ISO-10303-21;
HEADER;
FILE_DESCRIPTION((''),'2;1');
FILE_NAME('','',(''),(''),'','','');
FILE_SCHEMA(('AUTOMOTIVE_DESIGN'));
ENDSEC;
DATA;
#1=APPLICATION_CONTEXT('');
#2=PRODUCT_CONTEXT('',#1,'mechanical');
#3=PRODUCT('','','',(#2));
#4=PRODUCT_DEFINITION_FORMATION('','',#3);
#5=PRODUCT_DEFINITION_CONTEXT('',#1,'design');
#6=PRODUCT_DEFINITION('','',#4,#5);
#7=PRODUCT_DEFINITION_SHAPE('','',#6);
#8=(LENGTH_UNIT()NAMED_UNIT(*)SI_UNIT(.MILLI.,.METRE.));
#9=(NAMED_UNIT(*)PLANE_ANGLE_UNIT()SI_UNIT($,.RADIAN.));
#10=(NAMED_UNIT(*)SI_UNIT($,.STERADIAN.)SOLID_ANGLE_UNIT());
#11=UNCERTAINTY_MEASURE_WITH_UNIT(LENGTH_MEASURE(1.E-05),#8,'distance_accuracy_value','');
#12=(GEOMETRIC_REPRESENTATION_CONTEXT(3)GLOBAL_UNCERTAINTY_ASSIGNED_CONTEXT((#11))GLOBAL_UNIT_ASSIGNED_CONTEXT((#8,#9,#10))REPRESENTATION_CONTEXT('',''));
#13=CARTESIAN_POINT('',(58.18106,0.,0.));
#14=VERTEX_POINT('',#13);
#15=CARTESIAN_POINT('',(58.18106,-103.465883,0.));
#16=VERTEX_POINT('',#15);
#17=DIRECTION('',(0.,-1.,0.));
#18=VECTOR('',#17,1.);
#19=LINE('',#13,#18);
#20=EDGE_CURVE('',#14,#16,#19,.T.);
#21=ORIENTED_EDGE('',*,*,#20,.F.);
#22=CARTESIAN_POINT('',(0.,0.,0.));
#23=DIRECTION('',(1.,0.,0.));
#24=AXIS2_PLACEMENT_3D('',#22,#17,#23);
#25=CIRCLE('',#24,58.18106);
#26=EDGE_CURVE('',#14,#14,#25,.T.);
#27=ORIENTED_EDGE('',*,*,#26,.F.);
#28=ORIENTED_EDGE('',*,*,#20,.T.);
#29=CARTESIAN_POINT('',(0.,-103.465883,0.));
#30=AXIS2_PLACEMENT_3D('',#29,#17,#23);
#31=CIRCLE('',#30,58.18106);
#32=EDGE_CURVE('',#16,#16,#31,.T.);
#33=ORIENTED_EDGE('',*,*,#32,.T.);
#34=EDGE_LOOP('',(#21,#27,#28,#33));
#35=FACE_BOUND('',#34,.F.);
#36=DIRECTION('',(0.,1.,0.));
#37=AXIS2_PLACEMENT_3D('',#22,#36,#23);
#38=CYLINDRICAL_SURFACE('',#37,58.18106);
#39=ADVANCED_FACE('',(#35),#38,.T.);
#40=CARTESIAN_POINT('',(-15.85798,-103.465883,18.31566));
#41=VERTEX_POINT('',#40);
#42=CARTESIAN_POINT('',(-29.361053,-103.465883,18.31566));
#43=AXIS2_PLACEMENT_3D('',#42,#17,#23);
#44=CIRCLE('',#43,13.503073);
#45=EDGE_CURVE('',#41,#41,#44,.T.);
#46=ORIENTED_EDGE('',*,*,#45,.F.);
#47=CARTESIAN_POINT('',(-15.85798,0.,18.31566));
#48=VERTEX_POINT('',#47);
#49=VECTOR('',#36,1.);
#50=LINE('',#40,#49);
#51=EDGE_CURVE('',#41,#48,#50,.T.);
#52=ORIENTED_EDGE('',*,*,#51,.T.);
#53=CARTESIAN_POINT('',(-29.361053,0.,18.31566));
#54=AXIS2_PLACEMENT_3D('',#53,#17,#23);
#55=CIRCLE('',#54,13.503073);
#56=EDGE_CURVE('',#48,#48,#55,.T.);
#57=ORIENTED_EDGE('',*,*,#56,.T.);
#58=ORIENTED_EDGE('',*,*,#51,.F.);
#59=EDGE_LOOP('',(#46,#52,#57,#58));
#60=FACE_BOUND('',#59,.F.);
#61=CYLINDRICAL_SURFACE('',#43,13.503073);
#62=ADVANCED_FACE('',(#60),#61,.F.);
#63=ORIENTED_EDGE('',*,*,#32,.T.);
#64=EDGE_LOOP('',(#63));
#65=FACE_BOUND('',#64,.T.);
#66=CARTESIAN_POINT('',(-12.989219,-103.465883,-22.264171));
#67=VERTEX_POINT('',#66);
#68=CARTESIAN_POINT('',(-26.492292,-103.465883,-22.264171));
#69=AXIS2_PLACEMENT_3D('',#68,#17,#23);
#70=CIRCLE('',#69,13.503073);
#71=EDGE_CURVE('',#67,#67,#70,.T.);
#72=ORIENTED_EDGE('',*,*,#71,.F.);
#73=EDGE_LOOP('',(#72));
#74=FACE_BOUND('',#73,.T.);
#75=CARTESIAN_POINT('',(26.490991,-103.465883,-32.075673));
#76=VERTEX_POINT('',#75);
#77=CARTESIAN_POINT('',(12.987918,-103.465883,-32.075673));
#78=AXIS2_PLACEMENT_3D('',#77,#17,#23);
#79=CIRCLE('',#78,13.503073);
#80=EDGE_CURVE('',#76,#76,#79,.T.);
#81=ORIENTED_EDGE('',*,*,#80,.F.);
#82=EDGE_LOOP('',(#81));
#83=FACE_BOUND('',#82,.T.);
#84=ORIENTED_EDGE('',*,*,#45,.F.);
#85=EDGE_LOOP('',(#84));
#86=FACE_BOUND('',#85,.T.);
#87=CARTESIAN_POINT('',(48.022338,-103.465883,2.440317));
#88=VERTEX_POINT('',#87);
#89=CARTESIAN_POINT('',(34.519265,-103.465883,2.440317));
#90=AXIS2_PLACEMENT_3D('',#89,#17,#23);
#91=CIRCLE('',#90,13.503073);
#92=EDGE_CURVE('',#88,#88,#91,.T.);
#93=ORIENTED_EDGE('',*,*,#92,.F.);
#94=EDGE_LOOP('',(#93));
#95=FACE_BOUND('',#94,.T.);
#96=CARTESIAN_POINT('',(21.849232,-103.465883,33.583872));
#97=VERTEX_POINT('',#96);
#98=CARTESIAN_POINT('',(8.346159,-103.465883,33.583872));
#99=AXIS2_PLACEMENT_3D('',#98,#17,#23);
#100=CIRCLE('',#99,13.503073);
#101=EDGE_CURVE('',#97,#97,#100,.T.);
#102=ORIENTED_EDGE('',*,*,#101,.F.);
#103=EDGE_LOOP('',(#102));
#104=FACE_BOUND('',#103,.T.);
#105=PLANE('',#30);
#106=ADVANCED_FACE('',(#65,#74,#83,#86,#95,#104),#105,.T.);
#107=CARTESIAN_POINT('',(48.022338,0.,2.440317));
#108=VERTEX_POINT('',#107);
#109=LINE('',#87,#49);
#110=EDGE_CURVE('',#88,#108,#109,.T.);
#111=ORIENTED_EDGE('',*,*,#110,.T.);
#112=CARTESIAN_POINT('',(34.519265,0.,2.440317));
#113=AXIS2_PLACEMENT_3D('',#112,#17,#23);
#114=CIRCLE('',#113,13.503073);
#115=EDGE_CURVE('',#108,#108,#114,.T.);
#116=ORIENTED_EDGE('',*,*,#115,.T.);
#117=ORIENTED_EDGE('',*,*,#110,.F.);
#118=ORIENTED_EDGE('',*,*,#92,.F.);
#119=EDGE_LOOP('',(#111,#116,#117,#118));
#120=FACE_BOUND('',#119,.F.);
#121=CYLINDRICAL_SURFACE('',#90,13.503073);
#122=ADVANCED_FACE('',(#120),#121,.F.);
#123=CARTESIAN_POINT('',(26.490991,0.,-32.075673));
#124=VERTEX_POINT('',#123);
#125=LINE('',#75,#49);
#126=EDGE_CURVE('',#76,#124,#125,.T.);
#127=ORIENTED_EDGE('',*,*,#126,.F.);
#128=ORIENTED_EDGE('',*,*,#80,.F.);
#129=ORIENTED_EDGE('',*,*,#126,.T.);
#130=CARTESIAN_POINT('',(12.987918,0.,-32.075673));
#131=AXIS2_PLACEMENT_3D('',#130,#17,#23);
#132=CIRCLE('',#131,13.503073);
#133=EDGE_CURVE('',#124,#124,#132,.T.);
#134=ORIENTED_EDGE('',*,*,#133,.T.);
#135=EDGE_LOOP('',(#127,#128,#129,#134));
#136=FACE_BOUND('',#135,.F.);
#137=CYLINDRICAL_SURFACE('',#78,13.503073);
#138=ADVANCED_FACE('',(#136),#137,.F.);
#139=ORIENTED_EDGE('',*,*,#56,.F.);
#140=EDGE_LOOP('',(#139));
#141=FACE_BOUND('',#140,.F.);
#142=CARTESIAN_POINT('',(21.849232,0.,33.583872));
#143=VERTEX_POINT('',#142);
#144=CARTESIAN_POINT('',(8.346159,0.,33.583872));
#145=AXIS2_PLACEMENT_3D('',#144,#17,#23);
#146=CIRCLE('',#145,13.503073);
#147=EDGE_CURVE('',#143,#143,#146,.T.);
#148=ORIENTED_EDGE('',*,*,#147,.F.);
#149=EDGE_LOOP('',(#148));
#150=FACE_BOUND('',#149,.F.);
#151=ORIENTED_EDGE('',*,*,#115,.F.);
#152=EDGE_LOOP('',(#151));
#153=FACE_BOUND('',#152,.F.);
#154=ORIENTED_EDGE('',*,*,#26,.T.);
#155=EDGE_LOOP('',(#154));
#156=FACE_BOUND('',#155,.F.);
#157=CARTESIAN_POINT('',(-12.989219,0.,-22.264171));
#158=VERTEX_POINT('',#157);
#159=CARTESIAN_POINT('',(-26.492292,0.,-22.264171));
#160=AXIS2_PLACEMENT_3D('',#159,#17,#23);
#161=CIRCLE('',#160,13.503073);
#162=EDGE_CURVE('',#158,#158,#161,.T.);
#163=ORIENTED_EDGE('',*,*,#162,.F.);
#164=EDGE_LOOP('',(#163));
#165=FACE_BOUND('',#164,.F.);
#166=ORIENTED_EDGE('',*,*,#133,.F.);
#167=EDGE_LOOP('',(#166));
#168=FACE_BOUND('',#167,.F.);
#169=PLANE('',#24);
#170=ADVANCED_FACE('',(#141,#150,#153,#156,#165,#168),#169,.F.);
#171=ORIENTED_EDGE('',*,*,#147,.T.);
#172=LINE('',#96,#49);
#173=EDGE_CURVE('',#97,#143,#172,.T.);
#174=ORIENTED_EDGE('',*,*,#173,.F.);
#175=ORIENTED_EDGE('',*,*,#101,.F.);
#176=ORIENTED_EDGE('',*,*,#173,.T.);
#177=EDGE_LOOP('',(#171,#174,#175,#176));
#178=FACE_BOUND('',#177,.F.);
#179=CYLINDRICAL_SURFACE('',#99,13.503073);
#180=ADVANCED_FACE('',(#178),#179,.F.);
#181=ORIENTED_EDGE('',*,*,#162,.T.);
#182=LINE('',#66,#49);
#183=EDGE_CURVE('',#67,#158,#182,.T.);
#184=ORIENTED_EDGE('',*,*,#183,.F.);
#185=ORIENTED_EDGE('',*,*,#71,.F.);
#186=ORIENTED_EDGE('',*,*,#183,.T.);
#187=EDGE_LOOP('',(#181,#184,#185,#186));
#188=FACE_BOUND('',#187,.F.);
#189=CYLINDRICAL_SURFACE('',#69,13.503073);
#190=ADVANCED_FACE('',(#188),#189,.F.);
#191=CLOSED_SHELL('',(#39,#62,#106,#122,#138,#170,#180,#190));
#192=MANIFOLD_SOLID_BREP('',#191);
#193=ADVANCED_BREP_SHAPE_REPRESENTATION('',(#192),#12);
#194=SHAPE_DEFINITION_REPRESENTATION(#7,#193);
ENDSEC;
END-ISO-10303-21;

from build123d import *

# Parameters (mm, degrees)
F0_R     = 58.18106
F1_DEPTH = 103.465883
F2_R     = 13.503073
F3_DEPTH = 177.737946
F4_DEPTH = 213.257074


with BuildPart() as f1:
    # F0 (on Front) → F1 (new body)
    with BuildSketch(Plane.XZ):
        Circle(F0_R)
    extrude(amount=F1_DEPTH)

    # F2 (on face) → F3 (cut)
    with BuildSketch(Plane.XZ.offset(103.465883)):
        with Locations((8.346159, 33.583872)):
            Circle(F2_R)
    extrude(amount=-F3_DEPTH, mode=Mode.SUBTRACT)

    # F2 (on face) → F4 (cut)
    with BuildSketch(Plane.XZ.offset(103.465883)):
        with Locations((-29.361053, 18.31566)):
            Circle(F2_R)
        with Locations((-26.492292, -22.264171)):
            Circle(F2_R)
        with Locations((12.987918, -32.075673)):
            Circle(F2_R)
        with Locations((34.519265, 2.440317)):
            Circle(F2_R)
    extrude(amount=-F4_DEPTH, mode=Mode.SUBTRACT)


solid = f1.part
